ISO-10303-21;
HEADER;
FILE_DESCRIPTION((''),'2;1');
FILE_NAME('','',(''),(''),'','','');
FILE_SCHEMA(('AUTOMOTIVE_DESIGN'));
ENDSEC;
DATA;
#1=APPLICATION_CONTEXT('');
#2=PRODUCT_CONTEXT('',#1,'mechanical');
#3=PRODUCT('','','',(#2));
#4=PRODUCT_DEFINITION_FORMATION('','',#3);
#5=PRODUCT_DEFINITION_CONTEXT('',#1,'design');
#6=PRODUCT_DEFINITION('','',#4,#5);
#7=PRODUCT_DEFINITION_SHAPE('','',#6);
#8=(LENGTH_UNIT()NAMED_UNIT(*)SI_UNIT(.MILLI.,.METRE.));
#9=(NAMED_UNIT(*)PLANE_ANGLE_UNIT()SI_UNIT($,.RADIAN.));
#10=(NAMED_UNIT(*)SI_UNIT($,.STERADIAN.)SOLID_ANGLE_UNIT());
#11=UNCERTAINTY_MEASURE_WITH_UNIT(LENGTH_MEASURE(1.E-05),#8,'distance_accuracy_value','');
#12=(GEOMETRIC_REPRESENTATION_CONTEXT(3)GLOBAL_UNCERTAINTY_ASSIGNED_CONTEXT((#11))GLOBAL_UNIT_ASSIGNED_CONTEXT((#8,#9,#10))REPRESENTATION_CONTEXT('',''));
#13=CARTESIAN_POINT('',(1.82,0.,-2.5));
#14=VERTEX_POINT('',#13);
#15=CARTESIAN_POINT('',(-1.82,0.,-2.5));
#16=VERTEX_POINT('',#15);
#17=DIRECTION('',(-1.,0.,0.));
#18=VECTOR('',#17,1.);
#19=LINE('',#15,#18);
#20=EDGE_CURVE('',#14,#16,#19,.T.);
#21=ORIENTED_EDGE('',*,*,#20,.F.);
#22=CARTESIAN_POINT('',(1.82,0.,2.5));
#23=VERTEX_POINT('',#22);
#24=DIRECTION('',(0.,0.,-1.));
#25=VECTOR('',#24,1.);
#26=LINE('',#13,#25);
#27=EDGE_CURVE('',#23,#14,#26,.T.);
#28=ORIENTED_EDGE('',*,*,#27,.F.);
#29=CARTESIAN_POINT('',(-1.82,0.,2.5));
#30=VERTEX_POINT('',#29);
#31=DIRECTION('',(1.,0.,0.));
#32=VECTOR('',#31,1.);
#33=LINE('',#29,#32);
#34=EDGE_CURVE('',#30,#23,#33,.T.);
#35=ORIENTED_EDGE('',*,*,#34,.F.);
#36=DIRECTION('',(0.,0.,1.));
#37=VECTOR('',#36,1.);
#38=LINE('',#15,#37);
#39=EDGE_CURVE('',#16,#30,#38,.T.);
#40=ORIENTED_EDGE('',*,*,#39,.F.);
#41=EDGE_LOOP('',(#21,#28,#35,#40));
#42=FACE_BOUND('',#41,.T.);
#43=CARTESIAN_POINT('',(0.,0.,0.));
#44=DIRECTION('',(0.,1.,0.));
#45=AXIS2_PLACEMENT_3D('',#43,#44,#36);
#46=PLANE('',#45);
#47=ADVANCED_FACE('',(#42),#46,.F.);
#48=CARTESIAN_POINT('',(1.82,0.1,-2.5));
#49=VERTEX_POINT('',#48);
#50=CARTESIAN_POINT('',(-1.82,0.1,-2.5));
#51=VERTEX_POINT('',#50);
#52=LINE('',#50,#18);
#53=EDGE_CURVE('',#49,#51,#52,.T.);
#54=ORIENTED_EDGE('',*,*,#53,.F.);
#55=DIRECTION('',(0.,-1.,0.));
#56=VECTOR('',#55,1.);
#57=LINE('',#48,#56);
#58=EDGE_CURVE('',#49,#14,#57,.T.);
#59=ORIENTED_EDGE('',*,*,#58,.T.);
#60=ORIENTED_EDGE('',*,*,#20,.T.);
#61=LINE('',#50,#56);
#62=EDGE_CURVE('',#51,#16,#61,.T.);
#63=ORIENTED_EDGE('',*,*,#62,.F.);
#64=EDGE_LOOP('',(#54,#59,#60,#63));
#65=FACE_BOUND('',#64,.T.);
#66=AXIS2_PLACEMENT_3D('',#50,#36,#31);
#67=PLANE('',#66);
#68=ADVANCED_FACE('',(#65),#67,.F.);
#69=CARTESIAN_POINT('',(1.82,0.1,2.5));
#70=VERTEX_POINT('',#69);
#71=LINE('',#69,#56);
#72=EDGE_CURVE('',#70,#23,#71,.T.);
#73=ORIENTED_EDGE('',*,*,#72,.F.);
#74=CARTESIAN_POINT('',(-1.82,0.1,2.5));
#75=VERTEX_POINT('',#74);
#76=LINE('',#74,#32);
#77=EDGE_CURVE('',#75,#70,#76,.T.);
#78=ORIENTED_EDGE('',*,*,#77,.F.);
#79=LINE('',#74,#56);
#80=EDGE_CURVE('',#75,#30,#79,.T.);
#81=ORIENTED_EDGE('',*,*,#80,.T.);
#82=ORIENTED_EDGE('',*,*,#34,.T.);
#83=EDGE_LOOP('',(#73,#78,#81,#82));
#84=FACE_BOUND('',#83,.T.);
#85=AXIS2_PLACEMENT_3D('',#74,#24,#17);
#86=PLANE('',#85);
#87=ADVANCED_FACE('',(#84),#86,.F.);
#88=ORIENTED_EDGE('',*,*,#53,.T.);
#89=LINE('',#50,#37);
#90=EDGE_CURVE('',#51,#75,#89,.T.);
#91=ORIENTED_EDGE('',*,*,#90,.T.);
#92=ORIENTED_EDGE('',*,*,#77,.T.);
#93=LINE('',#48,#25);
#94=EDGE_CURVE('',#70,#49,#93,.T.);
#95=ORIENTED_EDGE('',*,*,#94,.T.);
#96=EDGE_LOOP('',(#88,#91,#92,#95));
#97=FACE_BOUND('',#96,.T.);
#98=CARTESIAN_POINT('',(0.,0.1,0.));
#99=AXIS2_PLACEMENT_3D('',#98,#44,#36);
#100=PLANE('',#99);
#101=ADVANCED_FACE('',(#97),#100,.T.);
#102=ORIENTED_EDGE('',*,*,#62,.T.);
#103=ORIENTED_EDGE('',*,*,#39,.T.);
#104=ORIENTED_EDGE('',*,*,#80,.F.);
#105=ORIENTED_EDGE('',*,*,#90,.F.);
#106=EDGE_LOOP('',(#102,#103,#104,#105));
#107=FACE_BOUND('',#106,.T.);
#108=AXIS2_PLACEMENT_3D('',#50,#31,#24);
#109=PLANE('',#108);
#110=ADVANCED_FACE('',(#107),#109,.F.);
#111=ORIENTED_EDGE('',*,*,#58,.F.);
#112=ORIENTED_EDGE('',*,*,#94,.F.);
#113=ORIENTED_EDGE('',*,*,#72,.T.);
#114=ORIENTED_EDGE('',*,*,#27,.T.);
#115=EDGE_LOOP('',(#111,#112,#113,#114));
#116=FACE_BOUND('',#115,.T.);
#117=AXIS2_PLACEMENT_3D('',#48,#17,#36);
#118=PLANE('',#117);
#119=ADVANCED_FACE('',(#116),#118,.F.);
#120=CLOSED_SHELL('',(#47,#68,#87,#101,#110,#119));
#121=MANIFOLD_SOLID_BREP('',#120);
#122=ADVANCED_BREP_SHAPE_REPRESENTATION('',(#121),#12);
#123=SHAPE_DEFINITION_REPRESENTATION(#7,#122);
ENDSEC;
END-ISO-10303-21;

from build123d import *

# Parameters (mm, degrees)
SKETCH1_W           = 3.64
SKETCH1_H           = 5
BOSS_EXTRUDE1_DEPTH = 0.1


with BuildPart() as part:
    # Sketch1 → Boss-Extrude1 (new body)
    with BuildSketch(Plane(origin=(0, 0, 0), x_dir=(1, 0, 0), z_dir=(0, 1, 0))):
        Rectangle(SKETCH1_W, SKETCH1_H)
    extrude(amount=BOSS_EXTRUDE1_DEPTH)


solid = part.part
